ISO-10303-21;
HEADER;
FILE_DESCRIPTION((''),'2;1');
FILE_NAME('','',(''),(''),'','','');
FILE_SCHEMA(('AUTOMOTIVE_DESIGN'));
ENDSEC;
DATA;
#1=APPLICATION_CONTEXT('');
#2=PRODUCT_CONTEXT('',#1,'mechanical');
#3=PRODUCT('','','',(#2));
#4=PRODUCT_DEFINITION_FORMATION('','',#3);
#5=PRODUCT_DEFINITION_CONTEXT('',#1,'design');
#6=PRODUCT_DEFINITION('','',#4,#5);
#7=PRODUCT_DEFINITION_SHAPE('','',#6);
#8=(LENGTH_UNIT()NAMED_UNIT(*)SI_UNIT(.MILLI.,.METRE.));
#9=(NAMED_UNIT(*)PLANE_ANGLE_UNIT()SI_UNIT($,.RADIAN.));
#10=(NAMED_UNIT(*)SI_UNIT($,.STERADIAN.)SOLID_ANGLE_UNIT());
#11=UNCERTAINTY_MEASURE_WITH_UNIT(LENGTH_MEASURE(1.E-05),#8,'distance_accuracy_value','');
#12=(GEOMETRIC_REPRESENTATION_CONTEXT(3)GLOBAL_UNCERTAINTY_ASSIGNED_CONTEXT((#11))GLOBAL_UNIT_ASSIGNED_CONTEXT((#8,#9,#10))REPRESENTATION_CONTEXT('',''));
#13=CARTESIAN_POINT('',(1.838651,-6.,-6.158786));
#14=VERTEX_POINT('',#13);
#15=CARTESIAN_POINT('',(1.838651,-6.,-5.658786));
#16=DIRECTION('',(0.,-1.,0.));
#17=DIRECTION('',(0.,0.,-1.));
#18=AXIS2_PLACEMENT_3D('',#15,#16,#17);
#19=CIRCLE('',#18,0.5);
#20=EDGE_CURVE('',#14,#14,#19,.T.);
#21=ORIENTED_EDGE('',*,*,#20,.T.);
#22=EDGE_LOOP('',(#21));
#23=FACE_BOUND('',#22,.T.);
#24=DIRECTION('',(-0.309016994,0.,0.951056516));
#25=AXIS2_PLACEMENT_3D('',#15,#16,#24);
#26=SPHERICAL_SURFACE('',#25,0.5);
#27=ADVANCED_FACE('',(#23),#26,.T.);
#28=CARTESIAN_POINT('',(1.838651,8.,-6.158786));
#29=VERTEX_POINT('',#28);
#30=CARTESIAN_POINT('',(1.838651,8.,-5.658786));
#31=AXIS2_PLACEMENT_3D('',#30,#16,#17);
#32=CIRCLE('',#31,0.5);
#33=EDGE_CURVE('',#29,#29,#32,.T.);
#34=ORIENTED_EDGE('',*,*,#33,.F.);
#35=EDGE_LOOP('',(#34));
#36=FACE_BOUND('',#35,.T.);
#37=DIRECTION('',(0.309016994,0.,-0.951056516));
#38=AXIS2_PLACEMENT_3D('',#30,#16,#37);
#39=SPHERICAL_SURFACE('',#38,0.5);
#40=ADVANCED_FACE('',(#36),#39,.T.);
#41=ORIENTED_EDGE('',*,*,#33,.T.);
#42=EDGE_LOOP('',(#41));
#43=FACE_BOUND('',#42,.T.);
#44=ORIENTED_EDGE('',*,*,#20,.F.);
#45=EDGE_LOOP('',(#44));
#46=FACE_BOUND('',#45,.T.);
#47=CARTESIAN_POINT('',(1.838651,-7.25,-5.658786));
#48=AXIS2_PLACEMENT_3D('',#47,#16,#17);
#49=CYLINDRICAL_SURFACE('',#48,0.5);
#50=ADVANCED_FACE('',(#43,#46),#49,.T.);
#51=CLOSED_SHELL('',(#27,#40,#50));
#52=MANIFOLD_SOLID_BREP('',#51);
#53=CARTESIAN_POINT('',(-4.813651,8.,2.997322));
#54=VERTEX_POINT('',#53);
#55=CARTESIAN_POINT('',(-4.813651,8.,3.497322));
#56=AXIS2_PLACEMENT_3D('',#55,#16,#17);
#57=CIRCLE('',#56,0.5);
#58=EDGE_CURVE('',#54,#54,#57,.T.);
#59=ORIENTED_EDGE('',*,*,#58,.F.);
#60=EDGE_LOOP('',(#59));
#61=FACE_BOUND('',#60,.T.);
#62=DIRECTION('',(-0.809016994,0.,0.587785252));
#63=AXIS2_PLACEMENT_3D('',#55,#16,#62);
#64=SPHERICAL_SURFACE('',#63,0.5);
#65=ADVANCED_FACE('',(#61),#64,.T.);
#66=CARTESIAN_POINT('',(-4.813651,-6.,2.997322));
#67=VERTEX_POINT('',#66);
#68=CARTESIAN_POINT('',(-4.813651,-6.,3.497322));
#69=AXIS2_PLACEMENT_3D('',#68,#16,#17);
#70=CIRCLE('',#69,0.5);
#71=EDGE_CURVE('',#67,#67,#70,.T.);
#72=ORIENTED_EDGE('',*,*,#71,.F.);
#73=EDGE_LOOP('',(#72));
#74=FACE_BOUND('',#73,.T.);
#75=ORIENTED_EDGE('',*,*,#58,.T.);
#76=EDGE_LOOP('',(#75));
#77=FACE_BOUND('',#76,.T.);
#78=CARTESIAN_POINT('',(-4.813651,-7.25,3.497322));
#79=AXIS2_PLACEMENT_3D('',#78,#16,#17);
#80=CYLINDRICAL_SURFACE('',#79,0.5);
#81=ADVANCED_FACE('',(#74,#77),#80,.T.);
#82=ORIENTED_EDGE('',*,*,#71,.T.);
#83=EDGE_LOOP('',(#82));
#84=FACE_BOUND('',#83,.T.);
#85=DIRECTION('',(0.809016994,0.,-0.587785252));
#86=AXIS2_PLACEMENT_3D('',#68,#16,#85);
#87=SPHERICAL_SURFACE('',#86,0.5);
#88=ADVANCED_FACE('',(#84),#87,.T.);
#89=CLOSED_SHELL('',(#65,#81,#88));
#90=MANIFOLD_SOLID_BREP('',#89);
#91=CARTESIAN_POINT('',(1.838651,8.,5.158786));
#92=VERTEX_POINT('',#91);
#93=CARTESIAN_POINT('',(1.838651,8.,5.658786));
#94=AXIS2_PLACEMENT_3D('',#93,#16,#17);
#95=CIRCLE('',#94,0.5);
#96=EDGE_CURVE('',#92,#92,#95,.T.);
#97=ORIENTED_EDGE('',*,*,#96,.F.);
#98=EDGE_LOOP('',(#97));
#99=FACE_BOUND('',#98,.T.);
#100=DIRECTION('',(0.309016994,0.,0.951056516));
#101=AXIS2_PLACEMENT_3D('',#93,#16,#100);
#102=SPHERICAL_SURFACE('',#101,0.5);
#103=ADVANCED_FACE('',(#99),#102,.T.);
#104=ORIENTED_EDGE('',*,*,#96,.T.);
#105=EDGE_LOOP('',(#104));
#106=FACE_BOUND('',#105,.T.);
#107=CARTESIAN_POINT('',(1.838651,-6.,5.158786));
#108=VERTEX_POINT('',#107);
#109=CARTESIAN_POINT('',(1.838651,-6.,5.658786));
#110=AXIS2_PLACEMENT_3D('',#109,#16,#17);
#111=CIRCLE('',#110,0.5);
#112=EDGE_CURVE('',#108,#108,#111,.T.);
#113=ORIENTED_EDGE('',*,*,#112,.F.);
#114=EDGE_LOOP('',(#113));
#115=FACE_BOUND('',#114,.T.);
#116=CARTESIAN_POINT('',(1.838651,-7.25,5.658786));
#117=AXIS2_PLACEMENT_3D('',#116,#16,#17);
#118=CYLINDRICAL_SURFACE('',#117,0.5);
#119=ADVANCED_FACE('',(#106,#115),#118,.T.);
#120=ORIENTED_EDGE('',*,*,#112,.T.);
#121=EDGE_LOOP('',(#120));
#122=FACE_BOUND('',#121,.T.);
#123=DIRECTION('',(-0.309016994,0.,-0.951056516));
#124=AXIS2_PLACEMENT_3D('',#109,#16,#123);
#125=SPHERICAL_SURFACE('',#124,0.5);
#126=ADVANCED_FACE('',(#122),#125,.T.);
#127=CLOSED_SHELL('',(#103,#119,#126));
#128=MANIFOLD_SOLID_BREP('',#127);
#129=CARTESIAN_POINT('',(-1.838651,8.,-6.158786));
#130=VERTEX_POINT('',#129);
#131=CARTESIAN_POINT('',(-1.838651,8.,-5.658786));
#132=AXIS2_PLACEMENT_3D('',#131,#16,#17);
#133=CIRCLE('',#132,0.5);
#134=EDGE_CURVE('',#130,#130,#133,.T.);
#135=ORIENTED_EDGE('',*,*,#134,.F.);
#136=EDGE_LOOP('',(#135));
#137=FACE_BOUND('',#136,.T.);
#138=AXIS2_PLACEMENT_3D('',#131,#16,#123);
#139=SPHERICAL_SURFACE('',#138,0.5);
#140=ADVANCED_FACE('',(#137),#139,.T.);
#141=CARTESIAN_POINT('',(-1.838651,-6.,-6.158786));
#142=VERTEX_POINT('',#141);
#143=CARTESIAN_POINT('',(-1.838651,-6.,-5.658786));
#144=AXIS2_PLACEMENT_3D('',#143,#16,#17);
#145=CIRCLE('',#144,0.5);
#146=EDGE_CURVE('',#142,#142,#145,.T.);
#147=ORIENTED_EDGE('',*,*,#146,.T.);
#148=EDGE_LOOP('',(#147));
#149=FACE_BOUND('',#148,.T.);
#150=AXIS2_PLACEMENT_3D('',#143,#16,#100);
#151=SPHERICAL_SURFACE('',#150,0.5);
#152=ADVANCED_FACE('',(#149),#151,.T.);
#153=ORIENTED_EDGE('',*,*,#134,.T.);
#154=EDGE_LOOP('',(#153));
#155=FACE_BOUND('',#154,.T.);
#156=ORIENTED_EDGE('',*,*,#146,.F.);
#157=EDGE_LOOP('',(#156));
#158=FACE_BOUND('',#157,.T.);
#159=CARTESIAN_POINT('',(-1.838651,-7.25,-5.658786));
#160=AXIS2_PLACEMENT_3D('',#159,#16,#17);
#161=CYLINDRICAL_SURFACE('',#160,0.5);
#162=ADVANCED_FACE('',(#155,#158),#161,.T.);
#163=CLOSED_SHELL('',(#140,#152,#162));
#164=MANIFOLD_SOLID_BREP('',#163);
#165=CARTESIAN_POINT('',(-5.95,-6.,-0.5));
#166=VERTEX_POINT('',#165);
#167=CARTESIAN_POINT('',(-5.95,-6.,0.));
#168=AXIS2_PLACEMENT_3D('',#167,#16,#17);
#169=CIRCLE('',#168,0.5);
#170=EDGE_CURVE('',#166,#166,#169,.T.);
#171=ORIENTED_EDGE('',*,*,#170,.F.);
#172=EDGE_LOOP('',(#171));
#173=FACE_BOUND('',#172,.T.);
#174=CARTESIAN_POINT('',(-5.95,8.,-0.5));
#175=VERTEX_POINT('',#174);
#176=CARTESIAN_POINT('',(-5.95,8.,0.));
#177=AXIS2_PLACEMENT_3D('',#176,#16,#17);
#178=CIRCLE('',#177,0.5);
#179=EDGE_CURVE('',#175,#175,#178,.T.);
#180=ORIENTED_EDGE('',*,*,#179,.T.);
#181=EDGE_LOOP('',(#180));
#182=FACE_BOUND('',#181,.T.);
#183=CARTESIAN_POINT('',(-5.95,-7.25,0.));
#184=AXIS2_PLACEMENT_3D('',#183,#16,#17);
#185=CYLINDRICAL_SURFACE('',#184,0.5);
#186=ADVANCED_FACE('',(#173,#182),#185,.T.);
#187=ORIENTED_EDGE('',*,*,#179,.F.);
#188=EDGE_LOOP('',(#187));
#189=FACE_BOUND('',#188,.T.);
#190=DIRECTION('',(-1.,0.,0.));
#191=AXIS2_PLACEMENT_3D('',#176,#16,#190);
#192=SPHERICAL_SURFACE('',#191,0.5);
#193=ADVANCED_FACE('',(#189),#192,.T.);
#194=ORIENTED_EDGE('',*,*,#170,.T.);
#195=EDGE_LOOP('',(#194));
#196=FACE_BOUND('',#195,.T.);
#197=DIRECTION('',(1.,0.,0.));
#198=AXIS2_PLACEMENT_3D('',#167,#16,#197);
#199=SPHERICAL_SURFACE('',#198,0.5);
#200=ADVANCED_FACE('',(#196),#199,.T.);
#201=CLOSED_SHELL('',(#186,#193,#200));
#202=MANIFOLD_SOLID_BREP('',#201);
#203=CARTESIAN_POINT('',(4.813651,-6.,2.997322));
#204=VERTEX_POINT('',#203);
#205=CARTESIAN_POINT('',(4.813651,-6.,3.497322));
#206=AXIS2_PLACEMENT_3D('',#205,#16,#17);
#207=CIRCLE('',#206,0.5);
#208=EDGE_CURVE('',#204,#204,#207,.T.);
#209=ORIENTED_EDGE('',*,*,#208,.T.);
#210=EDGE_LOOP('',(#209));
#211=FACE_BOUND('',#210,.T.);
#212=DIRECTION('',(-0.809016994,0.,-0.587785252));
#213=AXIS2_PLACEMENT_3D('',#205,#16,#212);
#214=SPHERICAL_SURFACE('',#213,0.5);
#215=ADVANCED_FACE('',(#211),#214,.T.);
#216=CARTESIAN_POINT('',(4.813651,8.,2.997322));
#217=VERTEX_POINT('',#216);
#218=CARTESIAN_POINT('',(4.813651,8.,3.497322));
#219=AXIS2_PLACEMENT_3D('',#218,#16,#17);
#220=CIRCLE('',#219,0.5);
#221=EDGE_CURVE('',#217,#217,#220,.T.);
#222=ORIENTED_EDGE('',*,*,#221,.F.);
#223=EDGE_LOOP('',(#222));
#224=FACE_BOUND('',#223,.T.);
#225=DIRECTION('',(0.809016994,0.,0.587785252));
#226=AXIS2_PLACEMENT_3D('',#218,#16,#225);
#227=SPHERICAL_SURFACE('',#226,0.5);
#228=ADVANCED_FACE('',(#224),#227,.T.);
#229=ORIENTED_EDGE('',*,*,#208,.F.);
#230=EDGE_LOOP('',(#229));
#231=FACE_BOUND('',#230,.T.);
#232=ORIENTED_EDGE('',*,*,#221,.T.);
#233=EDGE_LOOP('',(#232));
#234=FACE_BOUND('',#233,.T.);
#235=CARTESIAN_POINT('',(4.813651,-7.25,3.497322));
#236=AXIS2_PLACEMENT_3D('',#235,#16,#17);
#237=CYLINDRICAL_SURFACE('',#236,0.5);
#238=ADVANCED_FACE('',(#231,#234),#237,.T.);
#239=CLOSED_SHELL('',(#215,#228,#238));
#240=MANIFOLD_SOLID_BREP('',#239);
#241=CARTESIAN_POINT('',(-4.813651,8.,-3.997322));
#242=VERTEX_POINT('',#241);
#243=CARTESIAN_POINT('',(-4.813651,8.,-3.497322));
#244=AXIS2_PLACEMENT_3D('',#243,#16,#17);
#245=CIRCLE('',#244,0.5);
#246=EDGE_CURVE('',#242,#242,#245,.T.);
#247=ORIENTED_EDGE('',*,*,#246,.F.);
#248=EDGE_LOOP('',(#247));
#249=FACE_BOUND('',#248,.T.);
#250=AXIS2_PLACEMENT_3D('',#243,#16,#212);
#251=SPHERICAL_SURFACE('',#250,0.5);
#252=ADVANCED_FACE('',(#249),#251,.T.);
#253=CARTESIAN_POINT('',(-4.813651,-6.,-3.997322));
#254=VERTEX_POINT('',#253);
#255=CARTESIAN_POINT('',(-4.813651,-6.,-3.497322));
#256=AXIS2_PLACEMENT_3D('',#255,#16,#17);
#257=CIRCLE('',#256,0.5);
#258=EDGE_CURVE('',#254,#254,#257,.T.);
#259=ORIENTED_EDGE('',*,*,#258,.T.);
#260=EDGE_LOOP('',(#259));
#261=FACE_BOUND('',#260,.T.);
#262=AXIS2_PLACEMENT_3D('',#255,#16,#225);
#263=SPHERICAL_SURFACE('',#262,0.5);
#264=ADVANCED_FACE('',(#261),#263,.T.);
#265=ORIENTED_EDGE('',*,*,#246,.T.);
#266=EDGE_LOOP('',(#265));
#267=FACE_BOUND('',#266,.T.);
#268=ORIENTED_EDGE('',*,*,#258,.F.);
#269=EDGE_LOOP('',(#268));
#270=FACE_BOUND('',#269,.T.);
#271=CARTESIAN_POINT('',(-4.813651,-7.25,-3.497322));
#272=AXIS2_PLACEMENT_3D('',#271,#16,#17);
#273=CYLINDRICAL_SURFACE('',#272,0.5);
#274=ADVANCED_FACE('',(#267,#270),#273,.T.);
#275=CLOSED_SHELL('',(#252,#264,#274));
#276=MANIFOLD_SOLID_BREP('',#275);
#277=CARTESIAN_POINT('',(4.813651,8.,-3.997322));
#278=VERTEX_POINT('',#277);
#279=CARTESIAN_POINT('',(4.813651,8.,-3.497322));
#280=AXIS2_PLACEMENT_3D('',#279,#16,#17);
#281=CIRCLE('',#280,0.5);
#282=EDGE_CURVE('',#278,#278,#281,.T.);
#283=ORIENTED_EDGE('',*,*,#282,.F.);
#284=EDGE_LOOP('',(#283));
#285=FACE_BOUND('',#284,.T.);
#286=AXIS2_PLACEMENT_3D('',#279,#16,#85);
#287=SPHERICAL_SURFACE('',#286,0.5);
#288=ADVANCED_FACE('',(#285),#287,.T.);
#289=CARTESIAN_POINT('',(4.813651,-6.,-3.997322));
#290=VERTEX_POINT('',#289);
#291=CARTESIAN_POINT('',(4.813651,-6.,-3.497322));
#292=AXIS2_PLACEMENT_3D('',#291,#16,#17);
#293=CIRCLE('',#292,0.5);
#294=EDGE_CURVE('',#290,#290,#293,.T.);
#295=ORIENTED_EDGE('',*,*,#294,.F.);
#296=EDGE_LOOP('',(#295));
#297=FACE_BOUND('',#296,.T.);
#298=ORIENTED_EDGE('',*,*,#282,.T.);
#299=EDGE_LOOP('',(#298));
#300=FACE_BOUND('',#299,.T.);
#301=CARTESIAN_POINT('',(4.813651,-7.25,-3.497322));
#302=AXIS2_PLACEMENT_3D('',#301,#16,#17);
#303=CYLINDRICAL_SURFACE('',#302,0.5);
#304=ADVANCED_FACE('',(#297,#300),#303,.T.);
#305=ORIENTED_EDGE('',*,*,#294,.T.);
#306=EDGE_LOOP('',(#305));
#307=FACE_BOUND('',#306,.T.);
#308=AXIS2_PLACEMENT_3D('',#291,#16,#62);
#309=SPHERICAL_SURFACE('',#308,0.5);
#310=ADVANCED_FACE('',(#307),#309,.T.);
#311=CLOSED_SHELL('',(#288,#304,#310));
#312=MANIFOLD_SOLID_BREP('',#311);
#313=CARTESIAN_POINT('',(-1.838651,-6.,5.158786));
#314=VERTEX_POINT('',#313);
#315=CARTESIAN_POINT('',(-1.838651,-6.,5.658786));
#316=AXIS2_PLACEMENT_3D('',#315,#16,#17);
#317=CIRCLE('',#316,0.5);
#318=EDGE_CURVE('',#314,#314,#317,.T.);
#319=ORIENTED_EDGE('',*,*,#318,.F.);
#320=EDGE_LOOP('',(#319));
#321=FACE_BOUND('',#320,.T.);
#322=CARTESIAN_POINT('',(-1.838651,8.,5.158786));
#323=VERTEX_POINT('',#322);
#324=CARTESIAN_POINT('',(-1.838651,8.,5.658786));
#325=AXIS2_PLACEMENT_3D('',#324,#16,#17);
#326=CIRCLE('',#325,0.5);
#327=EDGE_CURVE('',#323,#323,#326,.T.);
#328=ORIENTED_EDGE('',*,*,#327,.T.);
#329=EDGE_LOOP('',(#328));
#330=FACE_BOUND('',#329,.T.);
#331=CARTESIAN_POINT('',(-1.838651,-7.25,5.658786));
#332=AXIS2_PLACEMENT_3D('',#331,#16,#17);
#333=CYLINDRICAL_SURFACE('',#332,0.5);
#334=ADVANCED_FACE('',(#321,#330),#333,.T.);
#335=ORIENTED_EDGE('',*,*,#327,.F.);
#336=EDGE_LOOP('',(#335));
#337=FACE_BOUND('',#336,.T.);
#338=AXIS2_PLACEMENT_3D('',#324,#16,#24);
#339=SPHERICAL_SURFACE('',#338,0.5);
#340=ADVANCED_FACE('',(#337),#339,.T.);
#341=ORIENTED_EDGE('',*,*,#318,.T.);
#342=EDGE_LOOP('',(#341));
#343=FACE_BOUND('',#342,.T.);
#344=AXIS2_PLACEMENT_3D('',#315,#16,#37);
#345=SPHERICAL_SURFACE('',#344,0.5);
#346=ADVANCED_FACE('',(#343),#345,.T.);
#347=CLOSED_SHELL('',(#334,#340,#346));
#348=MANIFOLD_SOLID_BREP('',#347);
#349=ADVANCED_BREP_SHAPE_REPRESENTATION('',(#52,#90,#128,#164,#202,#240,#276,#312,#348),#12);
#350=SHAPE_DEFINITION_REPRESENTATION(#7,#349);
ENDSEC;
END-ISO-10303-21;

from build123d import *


with BuildPart() as part:
    # Sketch1 → Revolve1 (revolve)
    with BuildSketch(Plane(origin=(0, 0, 0), x_dir=(0.809016994, 0, -0.587785252), z_dir=(0.587785252, 0, 0.809016994))):
        with BuildLine():
            Line((6.45, 8), (6.45, -6))
            ThreePointArc((6.45, -6), (6.303553391, -6.353553391), (5.95, -6.5))
            Line((5.95, -6.5), (5.95, 8.5))
            ThreePointArc((5.95, 8.5), (6.303553391, 8.353553391), (6.45, 8))
        make_face()
    revolve(axis=Axis((4.813651117, -7.25, -3.497322251), (0, 1, 0)))


with BuildPart() as body_2:
    # Sketch2 → Revolve2 (revolve)
    with BuildSketch(Plane(origin=(0, 0, 0), x_dir=(0.309016994, 0, -0.951056516), z_dir=(0.951056516, 0, 0.309016994))):
        with BuildLine():
            Line((6.45, 8), (6.45, -6))
            ThreePointArc((6.45, -6), (6.303553391, -6.353553391), (5.95, -6.5))
            Line((5.95, -6.5), (5.95, 8.5))
            ThreePointArc((5.95, 8.5), (6.303553391, 8.353553391), (6.45, 8))
        make_face()
    revolve(axis=Axis((1.838651117, -7.25, -5.658786272), (0, 1, 0)))


with BuildPart() as body_3:
    # Sketch3 → Revolve3 (revolve)
    with BuildSketch(Plane(origin=(0, 0, 0), x_dir=(-0.309016994, 0, -0.951056516), z_dir=(0.951056516, 0, -0.309016994))):
        with BuildLine():
            Line((6.45, 8), (6.45, -6))
            ThreePointArc((6.45, -6), (6.303553391, -6.353553391), (5.95, -6.5))
            Line((5.95, -6.5), (5.95, 8.5))
            ThreePointArc((5.95, 8.5), (6.303553391, 8.353553391), (6.45, 8))
        make_face()
    revolve(axis=Axis((-1.838651117, -7.25, -5.658786272), (0, 1, 0)))


with BuildPart() as body_4:
    # Sketch4 → Revolve4 (revolve)
    with BuildSketch(Plane(origin=(0, 0, 0), x_dir=(-0.809016994, 0, -0.587785252), z_dir=(0.587785252, 0, -0.809016994))):
        with BuildLine():
            Line((6.45, 8), (6.45, -6))
            ThreePointArc((6.45, -6), (6.303553391, -6.353553391), (5.95, -6.5))
            Line((5.95, -6.5), (5.95, 8.5))
            ThreePointArc((5.95, 8.5), (6.303553391, 8.353553391), (6.45, 8))
        make_face()
    revolve(axis=Axis((-4.813651117, -7.25, -3.497322251), (0, 1, 0)))


with BuildPart() as body_5:
    # Sketch5 → Revolve5 (revolve)
    with BuildSketch(Plane(origin=(0, 0, 0), x_dir=(-1, 0, 0), z_dir=(0, 0, -1))):
        with BuildLine():
            Line((6.45, 8), (6.45, -6))
            ThreePointArc((6.45, -6), (6.303553391, -6.353553391), (5.95, -6.5))
            Line((5.95, -6.5), (5.95, 8.5))
            ThreePointArc((5.95, 8.5), (6.303553391, 8.353553391), (6.45, 8))
        make_face()
    revolve(axis=Axis((-5.95, -7.25, 0), (0, 1, 0)))


with BuildPart() as body_6:
    # Sketch6 → Revolve6 (revolve)
    with BuildSketch(Plane(origin=(0, 0, 0), x_dir=(-0.809016994, 0, 0.587785252), z_dir=(-0.587785252, 0, -0.809016994))):
        with BuildLine():
            Line((6.45, 8), (6.45, -6))
            ThreePointArc((6.45, -6), (6.303553391, -6.353553391), (5.95, -6.5))
            Line((5.95, -6.5), (5.95, 8.5))
            ThreePointArc((5.95, 8.5), (6.303553391, 8.353553391), (6.45, 8))
        make_face()
    revolve(axis=Axis((-4.813651117, -7.25, 3.497322251), (0, 1, 0)))


with BuildPart() as body_7:
    # Sketch7 → Revolve7 (revolve)
    with BuildSketch(Plane(origin=(0, 0, 0), x_dir=(-0.309016994, 0, 0.951056516), z_dir=(-0.951056516, 0, -0.309016994))):
        with BuildLine():
            Line((6.45, 8), (6.45, -6))
            ThreePointArc((6.45, -6), (6.303553391, -6.353553391), (5.95, -6.5))
            Line((5.95, -6.5), (5.95, 8.5))
            ThreePointArc((5.95, 8.5), (6.303553391, 8.353553391), (6.45, 8))
        make_face()
    revolve(axis=Axis((-1.838651117, -7.25, 5.658786272), (0, 1, 0)))


with BuildPart() as body_8:
    # Sketch8 → Revolve8 (revolve)
    with BuildSketch(Plane(origin=(0, 0, 0), x_dir=(0.309016994, 0, 0.951056516), z_dir=(-0.951056516, 0, 0.309016994))):
        with BuildLine():
            Line((6.45, 8), (6.45, -6))
            ThreePointArc((6.45, -6), (6.303553391, -6.353553391), (5.95, -6.5))
            Line((5.95, -6.5), (5.95, 8.5))
            ThreePointArc((5.95, 8.5), (6.303553391, 8.353553391), (6.45, 8))
        make_face()
    revolve(axis=Axis((1.838651117, -7.25, 5.658786272), (0, 1, 0)))


with BuildPart() as body_9:
    # Sketch9 → Revolve9 (revolve)
    with BuildSketch(Plane(origin=(0, 0, 0), x_dir=(0.809016994, 0, 0.587785252), z_dir=(-0.587785252, 0, 0.809016994))):
        with BuildLine():
            Line((6.45, 8), (6.45, -6))
            ThreePointArc((6.45, -6), (6.303553391, -6.353553391), (5.95, -6.5))
            Line((5.95, -6.5), (5.95, 8.5))
            ThreePointArc((5.95, 8.5), (6.303553391, 8.353553391), (6.45, 8))
        make_face()
    revolve(axis=Axis((4.813651117, -7.25, 3.497322251), (0, 1, 0)))


solid = Compound([part.part, body_2.part, body_3.part, body_4.part, body_5.part, body_6.part, body_7.part, body_8.part, body_9.part])
